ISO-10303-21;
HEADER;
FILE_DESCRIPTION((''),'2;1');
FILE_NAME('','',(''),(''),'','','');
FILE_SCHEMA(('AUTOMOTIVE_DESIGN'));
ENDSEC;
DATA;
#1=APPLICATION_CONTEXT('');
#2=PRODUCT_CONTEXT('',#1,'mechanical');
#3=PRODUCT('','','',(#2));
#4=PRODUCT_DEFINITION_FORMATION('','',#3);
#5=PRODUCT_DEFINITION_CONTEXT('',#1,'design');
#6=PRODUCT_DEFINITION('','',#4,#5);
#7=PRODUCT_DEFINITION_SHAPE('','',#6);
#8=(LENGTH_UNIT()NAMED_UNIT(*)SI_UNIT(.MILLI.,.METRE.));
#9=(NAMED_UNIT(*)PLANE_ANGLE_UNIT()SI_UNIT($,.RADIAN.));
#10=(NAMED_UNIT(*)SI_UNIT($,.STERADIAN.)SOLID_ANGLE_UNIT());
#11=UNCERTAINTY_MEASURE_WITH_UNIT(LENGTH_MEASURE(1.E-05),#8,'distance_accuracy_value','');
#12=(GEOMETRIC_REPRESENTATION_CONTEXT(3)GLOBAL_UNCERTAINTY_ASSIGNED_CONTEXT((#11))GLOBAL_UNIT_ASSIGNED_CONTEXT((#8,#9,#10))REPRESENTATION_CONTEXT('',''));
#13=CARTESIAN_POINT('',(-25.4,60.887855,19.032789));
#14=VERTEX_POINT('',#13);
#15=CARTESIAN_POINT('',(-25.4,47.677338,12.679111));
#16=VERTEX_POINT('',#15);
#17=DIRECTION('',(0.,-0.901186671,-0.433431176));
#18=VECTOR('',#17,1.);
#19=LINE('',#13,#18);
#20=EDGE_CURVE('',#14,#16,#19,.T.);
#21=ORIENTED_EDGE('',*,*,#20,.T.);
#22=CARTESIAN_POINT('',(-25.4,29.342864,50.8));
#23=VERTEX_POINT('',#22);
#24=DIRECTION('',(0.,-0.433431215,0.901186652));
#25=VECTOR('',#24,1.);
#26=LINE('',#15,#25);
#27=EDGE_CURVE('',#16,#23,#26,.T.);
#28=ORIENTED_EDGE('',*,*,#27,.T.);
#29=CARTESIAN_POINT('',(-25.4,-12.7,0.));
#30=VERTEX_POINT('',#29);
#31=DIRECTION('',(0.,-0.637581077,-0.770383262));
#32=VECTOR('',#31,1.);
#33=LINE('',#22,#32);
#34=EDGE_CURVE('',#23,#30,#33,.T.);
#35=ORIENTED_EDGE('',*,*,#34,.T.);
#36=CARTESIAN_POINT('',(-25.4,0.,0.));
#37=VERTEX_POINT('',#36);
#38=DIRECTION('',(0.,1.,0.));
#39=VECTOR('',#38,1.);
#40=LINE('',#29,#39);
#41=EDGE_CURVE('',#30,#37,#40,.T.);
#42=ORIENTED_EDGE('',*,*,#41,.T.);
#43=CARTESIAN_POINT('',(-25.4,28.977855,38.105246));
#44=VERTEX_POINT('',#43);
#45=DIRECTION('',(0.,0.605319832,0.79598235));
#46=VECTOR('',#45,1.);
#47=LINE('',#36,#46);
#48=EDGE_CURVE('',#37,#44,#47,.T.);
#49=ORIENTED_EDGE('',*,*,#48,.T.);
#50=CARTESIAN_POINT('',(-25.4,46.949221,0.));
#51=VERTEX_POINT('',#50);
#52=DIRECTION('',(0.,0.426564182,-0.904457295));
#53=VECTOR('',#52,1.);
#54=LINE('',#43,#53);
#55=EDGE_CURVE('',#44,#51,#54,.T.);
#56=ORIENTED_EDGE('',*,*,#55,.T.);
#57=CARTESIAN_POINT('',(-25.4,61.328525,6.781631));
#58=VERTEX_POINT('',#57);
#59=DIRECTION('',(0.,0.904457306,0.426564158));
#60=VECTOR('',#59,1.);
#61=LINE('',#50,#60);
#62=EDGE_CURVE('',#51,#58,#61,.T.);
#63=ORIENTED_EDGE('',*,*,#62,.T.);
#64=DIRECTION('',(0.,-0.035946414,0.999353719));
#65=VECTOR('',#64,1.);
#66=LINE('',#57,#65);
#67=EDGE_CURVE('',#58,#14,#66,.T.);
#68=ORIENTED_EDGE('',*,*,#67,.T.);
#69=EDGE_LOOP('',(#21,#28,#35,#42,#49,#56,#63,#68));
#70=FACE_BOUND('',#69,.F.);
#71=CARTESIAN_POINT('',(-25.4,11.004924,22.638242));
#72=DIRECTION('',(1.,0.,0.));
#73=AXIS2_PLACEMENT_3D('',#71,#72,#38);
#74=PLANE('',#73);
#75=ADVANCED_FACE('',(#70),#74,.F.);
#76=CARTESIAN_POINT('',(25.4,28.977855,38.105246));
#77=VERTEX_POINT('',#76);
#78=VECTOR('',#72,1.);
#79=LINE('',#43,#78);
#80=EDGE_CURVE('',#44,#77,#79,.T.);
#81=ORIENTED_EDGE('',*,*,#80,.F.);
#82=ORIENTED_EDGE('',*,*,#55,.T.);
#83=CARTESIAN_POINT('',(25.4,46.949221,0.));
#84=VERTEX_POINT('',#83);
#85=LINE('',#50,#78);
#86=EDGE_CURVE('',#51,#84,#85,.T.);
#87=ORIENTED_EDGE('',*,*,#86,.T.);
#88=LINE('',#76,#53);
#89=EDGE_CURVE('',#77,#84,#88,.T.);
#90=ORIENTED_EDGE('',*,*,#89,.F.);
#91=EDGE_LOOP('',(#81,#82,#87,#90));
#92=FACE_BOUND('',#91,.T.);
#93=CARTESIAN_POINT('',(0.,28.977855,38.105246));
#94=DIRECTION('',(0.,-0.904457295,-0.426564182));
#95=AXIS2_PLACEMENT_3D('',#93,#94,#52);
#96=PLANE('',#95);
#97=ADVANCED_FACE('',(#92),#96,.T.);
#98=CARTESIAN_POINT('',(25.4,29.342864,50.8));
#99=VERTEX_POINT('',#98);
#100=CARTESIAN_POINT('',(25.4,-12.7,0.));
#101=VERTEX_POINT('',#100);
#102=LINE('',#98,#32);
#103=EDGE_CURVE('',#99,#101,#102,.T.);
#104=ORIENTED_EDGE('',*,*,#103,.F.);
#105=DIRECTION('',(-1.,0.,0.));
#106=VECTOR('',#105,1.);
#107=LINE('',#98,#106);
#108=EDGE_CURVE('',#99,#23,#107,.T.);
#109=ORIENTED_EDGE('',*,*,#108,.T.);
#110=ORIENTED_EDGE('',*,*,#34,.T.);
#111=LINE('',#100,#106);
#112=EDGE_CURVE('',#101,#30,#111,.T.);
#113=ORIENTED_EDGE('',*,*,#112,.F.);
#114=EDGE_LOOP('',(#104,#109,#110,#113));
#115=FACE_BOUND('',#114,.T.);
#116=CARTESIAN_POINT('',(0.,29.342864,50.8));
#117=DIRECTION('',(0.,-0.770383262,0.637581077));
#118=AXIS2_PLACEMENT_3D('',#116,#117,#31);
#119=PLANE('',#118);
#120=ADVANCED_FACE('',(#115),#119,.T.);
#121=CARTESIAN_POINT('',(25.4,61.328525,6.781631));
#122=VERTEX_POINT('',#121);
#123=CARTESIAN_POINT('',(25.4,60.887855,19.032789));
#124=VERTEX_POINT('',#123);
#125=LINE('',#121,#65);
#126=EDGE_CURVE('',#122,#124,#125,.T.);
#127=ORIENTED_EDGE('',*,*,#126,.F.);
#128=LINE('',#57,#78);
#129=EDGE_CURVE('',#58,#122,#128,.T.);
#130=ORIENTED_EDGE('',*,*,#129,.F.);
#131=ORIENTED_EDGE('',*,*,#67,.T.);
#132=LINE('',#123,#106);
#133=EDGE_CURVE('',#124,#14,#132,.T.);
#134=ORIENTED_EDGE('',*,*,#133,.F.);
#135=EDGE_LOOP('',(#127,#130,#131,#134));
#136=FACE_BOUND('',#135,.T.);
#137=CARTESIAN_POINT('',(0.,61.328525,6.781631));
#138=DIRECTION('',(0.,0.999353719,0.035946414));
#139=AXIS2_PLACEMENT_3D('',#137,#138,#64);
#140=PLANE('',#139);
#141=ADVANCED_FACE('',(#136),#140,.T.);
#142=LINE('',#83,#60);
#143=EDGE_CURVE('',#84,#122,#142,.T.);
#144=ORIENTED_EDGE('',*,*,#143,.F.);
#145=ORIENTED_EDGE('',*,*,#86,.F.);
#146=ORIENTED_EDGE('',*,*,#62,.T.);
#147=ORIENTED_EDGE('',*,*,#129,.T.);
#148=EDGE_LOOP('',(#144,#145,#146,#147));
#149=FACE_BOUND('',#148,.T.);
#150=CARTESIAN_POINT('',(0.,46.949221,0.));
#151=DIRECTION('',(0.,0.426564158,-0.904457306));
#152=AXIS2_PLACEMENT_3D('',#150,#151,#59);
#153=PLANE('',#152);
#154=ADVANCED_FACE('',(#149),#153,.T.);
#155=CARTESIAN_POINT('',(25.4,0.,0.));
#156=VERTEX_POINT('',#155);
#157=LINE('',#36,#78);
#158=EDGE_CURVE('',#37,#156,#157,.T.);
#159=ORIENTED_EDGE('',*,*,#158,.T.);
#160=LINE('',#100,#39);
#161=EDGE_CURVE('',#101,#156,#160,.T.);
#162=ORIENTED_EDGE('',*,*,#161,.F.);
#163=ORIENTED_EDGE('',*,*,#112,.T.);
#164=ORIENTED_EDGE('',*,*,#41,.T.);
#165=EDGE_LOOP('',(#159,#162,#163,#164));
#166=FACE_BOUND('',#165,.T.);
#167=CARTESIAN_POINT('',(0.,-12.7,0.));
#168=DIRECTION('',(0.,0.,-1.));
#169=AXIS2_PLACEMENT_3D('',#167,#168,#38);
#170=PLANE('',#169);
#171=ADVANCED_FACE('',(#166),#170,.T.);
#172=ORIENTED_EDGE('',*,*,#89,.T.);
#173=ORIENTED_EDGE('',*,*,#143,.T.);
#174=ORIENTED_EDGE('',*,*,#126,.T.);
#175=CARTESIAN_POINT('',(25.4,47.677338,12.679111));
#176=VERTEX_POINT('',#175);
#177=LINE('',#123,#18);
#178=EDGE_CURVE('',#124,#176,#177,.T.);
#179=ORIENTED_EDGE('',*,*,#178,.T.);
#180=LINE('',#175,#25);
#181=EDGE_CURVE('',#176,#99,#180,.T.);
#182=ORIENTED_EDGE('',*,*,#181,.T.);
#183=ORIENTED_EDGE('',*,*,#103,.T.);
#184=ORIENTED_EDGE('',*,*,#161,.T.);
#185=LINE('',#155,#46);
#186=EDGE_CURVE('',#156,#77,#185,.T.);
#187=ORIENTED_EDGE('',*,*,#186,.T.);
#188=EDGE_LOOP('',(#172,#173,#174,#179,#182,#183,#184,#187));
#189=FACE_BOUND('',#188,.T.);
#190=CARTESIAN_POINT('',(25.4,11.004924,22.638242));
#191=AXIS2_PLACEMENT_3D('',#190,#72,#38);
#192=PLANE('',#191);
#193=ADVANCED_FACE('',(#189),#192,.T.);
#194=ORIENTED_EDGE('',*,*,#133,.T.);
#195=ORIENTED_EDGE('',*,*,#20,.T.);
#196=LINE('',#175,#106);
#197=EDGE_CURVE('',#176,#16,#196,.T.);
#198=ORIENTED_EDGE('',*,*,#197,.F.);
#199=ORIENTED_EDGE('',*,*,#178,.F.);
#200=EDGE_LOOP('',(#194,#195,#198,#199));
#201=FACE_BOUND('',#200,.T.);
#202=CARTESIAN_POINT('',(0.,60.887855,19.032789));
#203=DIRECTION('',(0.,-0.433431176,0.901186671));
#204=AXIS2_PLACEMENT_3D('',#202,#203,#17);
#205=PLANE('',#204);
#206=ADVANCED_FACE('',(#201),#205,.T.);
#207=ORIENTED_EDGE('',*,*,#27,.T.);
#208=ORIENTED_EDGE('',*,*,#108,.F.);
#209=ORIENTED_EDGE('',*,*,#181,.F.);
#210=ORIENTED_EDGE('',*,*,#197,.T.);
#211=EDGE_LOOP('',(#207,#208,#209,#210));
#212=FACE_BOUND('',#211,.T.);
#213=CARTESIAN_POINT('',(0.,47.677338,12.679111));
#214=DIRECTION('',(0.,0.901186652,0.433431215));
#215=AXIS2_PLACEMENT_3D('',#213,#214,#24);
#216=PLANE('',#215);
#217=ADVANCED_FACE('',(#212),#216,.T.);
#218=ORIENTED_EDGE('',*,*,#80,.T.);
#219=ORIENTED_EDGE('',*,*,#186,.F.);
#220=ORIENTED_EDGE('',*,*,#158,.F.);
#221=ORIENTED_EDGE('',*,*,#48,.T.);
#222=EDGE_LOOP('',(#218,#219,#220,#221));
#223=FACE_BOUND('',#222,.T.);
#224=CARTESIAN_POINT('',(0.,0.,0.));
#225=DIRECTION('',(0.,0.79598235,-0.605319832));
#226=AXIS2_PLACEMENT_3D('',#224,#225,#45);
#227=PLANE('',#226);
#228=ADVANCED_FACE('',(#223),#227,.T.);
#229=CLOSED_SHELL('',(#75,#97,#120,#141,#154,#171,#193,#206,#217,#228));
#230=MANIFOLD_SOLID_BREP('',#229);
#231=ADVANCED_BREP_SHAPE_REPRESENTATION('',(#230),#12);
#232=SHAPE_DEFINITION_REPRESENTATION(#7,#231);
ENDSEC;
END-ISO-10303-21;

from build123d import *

# Parameters (mm, degrees)
F1_DEPTH = 25.4
F2_DEPTH = 25.4
F3_DEPTH = 25.4


with BuildPart() as f1:
    # F0 (on Right) → F1 (new body, symmetric)
    with BuildSketch(Plane.YZ):
        Polygon((47.677338, 12.679111), (46.949221, 0), (61.328525, 6.781631), (60.887855, 19.032789), align=None)
    extrude(amount=F1_DEPTH, both=True)

    # F0 (on Right) → F2 (join, symmetric)
    with BuildSketch(Plane.YZ):
        Polygon((29.342864, 50.8), (28.977855, 38.105246), (46.949221, 0), (47.677338, 12.679111), align=None)
    extrude(amount=F2_DEPTH, both=True)

    # F0 (on Right) → F3 (join, symmetric)
    with BuildSketch(Plane.YZ):
        Polygon((-12.7, 0), (0, 0), (28.977855, 38.105246), (29.342864, 50.8), align=None)
    extrude(amount=F3_DEPTH, both=True)


solid = f1.part
